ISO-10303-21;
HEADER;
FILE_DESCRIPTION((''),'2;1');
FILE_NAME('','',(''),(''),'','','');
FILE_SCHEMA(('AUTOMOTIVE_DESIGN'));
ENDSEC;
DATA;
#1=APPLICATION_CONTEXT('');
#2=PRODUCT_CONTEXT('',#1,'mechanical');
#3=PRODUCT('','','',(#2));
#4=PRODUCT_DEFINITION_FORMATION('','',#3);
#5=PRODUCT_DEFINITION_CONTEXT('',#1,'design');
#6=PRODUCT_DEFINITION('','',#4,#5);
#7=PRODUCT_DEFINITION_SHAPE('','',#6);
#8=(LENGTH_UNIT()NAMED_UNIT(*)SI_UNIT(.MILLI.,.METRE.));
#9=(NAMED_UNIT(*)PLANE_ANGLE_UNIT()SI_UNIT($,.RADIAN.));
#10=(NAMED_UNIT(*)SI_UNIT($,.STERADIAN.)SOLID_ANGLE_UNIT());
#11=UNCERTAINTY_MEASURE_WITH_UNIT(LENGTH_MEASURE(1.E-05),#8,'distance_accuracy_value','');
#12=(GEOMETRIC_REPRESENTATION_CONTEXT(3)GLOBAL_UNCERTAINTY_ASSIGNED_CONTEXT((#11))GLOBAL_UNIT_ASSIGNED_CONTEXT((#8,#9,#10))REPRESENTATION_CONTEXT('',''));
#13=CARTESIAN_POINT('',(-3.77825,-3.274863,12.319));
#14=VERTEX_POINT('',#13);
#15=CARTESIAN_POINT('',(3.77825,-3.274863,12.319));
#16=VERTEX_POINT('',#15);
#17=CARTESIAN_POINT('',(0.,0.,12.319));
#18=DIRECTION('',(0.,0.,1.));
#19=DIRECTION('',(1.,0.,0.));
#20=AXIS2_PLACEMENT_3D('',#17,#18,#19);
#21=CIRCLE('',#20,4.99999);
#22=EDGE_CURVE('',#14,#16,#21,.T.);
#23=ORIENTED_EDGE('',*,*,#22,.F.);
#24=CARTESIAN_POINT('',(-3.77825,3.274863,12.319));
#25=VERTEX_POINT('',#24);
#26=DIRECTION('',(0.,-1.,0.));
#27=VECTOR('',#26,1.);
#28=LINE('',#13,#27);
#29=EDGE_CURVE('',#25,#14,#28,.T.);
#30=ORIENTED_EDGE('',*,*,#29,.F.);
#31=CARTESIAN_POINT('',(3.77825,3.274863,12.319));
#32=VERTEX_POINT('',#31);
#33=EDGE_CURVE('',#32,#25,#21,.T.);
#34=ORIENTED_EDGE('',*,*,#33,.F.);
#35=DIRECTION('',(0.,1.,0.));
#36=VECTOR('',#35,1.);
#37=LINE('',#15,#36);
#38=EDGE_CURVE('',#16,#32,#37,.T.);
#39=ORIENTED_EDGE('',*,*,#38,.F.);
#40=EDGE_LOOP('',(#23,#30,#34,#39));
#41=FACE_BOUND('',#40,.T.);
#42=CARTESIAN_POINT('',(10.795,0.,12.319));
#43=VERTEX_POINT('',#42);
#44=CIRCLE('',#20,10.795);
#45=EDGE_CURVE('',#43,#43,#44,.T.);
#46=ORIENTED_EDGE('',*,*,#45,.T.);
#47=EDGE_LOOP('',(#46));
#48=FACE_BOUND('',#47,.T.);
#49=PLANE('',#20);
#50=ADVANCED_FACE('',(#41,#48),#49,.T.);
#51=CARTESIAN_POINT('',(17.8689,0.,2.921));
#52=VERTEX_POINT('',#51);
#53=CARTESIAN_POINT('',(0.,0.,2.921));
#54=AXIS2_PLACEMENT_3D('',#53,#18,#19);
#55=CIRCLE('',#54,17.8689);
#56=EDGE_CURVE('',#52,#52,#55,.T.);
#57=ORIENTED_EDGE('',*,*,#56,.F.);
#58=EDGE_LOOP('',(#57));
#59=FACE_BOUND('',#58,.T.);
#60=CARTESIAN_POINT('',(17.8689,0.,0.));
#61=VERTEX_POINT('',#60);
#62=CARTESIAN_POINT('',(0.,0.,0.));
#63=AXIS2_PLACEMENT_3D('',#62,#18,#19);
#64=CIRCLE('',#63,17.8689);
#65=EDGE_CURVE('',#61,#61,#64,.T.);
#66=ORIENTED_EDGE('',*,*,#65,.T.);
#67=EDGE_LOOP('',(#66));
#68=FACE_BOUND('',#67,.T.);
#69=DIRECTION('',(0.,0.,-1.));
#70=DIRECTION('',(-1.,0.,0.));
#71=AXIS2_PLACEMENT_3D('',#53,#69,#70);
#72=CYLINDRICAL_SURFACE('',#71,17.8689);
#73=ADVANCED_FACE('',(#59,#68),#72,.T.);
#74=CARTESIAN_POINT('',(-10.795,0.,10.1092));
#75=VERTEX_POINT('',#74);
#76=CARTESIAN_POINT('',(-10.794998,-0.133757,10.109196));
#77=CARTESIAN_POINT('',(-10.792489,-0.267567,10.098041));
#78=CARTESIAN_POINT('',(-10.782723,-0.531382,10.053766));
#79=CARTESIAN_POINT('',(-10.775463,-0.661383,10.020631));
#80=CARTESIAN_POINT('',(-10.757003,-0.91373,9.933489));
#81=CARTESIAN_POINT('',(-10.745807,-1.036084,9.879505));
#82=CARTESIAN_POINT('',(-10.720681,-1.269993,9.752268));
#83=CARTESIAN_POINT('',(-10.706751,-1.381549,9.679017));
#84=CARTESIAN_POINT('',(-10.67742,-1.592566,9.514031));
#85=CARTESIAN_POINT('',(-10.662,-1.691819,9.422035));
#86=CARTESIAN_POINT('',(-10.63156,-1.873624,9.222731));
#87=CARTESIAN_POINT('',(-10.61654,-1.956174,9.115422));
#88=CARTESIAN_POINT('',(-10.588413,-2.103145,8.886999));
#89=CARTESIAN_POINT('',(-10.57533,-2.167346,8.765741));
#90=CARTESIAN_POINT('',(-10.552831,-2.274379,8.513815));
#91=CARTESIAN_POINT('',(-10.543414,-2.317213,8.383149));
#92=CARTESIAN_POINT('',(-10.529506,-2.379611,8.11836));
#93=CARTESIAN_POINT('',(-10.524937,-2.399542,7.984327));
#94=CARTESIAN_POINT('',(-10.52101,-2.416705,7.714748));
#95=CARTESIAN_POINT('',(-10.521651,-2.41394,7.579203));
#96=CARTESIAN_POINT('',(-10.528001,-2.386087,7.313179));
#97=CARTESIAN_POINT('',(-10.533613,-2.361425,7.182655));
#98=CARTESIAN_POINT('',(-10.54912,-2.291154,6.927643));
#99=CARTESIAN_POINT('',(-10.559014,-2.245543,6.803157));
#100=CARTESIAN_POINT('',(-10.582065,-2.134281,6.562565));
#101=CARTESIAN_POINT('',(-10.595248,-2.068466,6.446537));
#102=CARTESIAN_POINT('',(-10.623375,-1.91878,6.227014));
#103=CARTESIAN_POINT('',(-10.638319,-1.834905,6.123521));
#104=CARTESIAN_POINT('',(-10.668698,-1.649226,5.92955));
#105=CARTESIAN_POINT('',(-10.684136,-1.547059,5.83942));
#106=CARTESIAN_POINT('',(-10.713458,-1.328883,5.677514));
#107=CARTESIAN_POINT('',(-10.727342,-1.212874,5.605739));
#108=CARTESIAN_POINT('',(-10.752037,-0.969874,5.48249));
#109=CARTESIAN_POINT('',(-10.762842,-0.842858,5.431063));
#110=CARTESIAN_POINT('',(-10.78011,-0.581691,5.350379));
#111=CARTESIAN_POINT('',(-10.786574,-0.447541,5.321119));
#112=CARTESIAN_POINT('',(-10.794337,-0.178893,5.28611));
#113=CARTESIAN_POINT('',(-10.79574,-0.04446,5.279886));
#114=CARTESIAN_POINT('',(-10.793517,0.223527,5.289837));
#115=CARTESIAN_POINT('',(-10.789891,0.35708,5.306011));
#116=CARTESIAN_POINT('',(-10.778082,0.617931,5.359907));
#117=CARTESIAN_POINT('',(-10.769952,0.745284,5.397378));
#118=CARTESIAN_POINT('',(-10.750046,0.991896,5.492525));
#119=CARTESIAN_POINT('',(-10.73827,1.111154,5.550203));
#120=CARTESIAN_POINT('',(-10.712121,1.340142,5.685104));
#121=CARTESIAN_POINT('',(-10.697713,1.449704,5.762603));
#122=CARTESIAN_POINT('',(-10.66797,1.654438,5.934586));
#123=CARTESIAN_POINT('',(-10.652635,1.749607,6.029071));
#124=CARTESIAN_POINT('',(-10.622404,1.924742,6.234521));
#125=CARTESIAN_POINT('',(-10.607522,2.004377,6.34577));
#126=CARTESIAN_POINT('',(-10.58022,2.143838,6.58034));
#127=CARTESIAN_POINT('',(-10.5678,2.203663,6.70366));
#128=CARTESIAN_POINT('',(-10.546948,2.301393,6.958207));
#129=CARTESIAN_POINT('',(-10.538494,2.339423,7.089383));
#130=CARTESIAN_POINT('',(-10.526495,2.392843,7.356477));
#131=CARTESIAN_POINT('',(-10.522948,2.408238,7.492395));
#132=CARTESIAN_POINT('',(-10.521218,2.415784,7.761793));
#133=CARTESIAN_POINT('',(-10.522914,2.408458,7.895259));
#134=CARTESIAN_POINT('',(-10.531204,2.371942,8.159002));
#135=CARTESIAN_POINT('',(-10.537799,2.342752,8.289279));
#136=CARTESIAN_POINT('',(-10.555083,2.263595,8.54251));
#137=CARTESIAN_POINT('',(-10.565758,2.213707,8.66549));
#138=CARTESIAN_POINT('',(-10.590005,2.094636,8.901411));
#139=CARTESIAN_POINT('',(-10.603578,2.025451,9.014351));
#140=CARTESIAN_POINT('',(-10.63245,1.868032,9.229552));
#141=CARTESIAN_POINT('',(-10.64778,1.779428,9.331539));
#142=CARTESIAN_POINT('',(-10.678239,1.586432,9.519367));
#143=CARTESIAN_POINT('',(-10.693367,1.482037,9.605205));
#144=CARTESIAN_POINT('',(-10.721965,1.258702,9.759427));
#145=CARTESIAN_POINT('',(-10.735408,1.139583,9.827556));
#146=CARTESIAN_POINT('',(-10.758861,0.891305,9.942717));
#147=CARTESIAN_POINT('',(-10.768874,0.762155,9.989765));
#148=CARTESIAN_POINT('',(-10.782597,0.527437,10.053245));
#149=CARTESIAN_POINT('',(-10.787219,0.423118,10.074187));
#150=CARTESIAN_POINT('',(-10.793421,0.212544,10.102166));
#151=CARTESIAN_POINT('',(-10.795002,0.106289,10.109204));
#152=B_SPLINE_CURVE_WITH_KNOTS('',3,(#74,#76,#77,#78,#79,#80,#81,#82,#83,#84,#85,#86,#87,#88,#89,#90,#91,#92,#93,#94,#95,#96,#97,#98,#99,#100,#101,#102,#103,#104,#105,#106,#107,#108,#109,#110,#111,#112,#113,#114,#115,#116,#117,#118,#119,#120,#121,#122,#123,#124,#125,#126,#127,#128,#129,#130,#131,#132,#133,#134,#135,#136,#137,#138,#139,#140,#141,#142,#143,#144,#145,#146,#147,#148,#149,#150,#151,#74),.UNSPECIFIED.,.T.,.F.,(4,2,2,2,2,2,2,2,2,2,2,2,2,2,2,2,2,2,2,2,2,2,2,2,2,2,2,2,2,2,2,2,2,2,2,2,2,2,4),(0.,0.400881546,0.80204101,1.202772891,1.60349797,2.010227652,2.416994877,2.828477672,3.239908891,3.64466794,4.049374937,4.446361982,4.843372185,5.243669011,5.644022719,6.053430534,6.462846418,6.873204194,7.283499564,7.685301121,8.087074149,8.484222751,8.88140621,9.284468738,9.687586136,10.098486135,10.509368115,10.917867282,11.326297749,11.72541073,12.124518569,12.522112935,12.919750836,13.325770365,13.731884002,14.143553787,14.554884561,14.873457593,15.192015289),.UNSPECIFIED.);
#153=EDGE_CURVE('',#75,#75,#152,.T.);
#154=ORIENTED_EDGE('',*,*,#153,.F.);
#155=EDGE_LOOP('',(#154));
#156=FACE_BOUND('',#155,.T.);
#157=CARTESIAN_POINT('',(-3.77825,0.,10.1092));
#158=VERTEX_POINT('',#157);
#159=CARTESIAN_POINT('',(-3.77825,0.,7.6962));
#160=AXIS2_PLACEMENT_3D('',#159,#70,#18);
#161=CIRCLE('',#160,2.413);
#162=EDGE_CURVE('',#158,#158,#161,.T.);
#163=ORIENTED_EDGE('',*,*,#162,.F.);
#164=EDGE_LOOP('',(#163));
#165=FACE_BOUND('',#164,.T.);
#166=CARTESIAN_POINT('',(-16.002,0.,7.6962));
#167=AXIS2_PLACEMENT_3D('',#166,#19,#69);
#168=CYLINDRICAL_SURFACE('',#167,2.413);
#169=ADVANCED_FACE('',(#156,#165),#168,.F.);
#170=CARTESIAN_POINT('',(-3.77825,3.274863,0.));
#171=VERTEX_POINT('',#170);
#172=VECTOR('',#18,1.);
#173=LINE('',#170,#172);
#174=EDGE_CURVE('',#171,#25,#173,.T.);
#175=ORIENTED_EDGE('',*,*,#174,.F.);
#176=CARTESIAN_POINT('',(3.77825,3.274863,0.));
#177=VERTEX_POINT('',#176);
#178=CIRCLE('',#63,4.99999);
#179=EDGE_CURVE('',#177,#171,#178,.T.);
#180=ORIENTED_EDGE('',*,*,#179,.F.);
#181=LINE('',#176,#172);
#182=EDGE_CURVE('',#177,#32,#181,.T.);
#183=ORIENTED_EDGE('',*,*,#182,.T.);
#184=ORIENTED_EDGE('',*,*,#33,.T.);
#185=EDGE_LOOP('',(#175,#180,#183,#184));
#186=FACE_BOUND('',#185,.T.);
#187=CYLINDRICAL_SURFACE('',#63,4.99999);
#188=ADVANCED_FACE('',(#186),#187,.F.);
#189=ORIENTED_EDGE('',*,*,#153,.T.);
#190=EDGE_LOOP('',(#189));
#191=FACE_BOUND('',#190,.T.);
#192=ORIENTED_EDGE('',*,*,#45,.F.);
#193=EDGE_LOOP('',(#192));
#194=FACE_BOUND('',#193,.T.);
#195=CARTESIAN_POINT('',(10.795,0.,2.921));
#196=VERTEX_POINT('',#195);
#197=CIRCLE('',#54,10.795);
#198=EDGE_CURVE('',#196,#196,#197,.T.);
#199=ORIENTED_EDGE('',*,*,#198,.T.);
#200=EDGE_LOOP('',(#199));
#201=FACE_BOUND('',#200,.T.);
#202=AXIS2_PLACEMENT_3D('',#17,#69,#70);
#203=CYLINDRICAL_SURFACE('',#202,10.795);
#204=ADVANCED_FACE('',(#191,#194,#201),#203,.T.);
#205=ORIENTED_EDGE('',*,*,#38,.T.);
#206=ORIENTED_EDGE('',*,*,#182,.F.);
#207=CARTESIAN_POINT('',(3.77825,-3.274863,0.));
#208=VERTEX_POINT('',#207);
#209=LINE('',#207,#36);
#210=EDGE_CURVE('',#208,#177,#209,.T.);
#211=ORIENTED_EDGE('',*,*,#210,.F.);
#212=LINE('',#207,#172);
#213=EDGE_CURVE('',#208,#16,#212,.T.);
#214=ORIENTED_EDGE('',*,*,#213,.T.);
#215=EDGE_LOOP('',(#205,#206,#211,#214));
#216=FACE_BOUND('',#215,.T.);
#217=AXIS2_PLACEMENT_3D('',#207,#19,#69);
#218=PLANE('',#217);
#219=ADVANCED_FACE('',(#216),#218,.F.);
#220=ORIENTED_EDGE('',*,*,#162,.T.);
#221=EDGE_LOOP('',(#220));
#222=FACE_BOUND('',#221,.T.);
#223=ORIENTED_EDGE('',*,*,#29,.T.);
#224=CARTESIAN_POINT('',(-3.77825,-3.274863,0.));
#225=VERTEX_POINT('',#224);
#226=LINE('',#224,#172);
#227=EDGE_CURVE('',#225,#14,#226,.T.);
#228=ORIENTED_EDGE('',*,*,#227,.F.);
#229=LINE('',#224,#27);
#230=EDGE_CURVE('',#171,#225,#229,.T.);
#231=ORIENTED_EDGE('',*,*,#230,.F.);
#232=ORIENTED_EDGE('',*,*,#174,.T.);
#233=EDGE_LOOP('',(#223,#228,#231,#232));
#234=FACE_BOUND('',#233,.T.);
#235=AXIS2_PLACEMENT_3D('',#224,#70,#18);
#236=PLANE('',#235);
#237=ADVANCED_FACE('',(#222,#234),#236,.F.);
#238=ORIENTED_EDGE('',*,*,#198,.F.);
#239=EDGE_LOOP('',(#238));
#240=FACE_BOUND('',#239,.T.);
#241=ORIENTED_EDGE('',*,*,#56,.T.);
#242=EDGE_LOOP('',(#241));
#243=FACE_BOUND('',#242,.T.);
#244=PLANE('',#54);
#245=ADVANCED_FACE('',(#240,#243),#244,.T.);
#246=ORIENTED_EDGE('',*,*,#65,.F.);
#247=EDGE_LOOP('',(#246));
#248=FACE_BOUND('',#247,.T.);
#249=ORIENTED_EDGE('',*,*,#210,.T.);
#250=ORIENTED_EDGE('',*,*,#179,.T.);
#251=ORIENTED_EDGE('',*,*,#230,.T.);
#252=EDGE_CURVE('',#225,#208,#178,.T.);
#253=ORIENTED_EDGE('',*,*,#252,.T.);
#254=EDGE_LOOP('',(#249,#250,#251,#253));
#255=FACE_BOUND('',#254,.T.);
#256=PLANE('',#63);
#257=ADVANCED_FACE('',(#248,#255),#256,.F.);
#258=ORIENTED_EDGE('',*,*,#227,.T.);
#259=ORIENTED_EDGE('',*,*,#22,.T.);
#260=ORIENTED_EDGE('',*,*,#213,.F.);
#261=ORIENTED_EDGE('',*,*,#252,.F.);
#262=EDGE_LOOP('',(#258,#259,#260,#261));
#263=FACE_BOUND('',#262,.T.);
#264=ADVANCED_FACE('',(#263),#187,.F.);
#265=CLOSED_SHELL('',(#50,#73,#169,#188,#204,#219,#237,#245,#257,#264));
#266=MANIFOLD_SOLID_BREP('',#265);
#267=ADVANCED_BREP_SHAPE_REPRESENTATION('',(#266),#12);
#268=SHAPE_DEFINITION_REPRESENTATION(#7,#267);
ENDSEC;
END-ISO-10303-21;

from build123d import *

# Parameters (mm, degrees)
SKETCH1_R           = 17.8689
BOSS_EXTRUDE1_DEPTH = 2.921
SKETCH2_R           = 10.795
BOSS_EXTRUDE2_DEPTH = 9.398
CUT_EXTRUDE1_DEPTH  = 29.113216383
SKETCH4_R           = 2.413
CUT_EXTRUDE2_DEPTH  = 16.002


with BuildPart() as part:
    # Sketch1 → Boss-Extrude1 (new body)
    with BuildSketch(Plane.XY):
        Circle(SKETCH1_R)
    extrude(amount=BOSS_EXTRUDE1_DEPTH)

    # Sketch2 → Boss-Extrude2 (add)
    with BuildSketch(Plane.XY.offset(2.921)):
        Circle(SKETCH2_R)
    extrude(amount=BOSS_EXTRUDE2_DEPTH)

    # Sketch3 → Cut-Extrude1 (cut, through all)
    with BuildSketch(Plane.XY.offset(12.319)):
        with BuildLine():
            Line((-3.77825, -3.274862888), (-3.77825, 3.274862888))
            ThreePointArc((-3.77825, 3.274862888), (0, 4.99999), (3.77825, 3.274862888))
            Line((3.77825, 3.274862888), (3.77825, -3.274862888))
            ThreePointArc((3.77825, -3.274862888), (0, -4.99999), (-3.77825, -3.274862888))
        make_face()
    extrude(amount=-CUT_EXTRUDE1_DEPTH, mode=Mode.SUBTRACT)

    # Sketch4 → Cut-Extrude2 (cut)
    with BuildSketch(Plane(origin=(0, 0, 0), x_dir=(0, 0, -1), z_dir=(1, 0, 0))):
        with Locations(Location((-7.6962, 0, 0), (0, 0, 180))):
            Circle(SKETCH4_R)
    extrude(amount=-CUT_EXTRUDE2_DEPTH, mode=Mode.SUBTRACT)


solid = part.part
